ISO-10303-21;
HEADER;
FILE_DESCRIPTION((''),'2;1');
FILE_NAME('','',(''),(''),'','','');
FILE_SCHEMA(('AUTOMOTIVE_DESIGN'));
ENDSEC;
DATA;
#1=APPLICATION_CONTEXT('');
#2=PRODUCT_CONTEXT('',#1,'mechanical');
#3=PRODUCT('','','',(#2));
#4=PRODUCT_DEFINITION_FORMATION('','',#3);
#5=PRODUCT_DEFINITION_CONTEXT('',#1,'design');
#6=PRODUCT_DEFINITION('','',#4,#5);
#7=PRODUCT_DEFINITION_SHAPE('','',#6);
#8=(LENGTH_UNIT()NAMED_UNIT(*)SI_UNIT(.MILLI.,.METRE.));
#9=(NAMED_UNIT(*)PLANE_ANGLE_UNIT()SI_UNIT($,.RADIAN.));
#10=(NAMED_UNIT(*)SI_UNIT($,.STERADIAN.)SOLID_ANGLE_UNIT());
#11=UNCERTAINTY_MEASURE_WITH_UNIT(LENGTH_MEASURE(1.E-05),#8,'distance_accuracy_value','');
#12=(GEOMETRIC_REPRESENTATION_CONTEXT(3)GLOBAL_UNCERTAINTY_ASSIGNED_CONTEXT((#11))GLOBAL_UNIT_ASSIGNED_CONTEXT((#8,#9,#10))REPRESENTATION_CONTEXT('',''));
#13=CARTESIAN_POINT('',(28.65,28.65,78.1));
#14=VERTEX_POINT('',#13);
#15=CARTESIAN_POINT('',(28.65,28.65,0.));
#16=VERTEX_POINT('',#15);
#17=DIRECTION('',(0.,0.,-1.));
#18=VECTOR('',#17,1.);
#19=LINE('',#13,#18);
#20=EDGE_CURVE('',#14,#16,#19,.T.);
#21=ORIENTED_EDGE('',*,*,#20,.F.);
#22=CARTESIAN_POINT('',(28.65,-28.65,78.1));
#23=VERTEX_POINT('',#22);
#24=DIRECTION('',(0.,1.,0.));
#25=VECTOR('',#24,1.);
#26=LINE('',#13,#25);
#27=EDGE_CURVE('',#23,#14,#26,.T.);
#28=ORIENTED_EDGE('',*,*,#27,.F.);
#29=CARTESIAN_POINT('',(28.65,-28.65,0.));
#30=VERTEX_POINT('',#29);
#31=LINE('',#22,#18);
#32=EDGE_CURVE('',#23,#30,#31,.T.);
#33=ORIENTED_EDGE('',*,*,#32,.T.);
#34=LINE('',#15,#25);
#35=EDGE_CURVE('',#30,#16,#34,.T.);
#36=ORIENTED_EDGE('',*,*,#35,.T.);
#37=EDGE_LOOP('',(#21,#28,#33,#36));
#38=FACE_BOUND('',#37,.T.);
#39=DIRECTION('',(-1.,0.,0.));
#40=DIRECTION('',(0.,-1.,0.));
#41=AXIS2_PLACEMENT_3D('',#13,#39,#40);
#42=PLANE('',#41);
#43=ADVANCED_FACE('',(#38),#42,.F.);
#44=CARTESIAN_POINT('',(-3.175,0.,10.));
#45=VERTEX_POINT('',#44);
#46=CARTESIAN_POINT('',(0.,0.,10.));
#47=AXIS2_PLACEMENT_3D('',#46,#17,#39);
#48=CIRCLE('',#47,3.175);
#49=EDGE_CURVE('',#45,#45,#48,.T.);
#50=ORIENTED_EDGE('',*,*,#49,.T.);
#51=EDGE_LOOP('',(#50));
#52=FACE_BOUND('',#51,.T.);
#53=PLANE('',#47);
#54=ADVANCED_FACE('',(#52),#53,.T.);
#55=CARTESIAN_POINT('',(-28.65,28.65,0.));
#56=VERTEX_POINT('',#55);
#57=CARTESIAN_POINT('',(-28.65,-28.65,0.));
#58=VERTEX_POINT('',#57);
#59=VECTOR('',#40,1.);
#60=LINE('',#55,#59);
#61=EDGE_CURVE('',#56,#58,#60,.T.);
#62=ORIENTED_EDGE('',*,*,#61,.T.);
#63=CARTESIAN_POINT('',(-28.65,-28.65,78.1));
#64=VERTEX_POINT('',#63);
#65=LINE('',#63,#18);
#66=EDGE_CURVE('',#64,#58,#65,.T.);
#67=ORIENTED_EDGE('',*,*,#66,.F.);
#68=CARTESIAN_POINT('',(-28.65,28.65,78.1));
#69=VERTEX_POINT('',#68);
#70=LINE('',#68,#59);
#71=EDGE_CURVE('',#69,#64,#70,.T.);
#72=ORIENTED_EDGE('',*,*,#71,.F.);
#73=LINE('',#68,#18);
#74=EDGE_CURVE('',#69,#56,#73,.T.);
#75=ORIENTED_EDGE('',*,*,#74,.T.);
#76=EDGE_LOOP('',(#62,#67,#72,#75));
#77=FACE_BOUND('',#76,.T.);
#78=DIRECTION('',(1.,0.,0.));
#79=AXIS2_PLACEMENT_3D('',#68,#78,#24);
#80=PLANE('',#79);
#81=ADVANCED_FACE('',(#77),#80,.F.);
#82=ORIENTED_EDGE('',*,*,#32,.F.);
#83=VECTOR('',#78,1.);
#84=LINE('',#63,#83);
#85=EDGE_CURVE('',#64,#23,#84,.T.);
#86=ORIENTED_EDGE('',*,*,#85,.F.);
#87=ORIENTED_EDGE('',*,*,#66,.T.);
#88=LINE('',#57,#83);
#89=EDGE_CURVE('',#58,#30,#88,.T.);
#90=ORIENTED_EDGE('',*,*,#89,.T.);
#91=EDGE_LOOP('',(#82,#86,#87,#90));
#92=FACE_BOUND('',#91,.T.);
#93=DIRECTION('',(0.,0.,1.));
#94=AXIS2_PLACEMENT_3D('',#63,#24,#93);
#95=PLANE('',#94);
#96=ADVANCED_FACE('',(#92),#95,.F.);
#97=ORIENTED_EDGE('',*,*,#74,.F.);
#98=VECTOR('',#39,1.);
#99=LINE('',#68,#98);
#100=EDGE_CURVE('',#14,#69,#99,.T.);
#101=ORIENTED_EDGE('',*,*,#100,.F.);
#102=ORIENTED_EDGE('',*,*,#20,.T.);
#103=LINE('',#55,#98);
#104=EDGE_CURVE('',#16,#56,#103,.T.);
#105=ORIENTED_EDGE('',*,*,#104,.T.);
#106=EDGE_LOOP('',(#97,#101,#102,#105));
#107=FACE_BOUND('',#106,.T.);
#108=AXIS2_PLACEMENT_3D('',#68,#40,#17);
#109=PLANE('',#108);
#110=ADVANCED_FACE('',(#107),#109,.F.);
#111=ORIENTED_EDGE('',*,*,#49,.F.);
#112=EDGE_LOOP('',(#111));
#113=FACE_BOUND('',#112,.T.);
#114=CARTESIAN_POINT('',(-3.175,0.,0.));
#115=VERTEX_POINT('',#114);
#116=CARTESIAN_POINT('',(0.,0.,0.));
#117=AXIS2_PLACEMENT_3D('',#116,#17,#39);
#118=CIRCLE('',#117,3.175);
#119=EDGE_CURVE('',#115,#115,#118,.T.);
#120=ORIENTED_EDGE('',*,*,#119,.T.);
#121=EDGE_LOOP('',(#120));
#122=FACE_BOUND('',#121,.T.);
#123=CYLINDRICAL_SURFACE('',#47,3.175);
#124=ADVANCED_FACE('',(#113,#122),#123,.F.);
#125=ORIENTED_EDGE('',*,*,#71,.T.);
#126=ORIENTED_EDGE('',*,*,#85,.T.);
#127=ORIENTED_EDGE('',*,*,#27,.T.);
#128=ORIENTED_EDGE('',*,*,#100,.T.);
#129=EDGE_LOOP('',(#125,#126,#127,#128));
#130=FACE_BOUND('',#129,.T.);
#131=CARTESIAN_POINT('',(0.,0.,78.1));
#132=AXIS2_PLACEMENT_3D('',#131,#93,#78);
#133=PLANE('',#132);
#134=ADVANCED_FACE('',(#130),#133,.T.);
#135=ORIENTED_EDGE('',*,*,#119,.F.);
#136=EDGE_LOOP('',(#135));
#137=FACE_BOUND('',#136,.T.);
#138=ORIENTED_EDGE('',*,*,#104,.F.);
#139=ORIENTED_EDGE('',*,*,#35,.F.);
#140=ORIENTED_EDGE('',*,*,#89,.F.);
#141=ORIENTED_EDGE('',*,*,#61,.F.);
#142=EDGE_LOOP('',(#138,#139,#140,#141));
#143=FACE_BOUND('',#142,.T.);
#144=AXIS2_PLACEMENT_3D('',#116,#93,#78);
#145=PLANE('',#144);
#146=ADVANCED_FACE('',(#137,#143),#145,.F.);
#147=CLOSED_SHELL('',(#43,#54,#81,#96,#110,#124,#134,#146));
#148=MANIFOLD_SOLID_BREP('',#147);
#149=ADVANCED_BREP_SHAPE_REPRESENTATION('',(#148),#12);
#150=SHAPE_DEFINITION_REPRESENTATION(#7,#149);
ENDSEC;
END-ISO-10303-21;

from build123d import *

# Parameters (mm, degrees)
SKETCH1_W           = 57.3
SKETCH1_H           = 57.3
BOSS_EXTRUDE1_DEPTH = 78.1
SKETCH2_R           = 3.175
CUT_EXTRUDE1_DEPTH  = 10


with BuildPart() as part:
    # Sketch1 → Boss-Extrude1 (new body)
    with BuildSketch(Plane.XY):
        Rectangle(SKETCH1_W, SKETCH1_H)
    extrude(amount=BOSS_EXTRUDE1_DEPTH)

    # Sketch2 → Cut-Extrude1 (cut)
    with BuildSketch(Plane(origin=(0, 0, 0), x_dir=(-1, 0, 0), z_dir=(0, 0, -1))):
        Circle(SKETCH2_R)
    extrude(amount=-CUT_EXTRUDE1_DEPTH, mode=Mode.SUBTRACT)


solid = part.part
